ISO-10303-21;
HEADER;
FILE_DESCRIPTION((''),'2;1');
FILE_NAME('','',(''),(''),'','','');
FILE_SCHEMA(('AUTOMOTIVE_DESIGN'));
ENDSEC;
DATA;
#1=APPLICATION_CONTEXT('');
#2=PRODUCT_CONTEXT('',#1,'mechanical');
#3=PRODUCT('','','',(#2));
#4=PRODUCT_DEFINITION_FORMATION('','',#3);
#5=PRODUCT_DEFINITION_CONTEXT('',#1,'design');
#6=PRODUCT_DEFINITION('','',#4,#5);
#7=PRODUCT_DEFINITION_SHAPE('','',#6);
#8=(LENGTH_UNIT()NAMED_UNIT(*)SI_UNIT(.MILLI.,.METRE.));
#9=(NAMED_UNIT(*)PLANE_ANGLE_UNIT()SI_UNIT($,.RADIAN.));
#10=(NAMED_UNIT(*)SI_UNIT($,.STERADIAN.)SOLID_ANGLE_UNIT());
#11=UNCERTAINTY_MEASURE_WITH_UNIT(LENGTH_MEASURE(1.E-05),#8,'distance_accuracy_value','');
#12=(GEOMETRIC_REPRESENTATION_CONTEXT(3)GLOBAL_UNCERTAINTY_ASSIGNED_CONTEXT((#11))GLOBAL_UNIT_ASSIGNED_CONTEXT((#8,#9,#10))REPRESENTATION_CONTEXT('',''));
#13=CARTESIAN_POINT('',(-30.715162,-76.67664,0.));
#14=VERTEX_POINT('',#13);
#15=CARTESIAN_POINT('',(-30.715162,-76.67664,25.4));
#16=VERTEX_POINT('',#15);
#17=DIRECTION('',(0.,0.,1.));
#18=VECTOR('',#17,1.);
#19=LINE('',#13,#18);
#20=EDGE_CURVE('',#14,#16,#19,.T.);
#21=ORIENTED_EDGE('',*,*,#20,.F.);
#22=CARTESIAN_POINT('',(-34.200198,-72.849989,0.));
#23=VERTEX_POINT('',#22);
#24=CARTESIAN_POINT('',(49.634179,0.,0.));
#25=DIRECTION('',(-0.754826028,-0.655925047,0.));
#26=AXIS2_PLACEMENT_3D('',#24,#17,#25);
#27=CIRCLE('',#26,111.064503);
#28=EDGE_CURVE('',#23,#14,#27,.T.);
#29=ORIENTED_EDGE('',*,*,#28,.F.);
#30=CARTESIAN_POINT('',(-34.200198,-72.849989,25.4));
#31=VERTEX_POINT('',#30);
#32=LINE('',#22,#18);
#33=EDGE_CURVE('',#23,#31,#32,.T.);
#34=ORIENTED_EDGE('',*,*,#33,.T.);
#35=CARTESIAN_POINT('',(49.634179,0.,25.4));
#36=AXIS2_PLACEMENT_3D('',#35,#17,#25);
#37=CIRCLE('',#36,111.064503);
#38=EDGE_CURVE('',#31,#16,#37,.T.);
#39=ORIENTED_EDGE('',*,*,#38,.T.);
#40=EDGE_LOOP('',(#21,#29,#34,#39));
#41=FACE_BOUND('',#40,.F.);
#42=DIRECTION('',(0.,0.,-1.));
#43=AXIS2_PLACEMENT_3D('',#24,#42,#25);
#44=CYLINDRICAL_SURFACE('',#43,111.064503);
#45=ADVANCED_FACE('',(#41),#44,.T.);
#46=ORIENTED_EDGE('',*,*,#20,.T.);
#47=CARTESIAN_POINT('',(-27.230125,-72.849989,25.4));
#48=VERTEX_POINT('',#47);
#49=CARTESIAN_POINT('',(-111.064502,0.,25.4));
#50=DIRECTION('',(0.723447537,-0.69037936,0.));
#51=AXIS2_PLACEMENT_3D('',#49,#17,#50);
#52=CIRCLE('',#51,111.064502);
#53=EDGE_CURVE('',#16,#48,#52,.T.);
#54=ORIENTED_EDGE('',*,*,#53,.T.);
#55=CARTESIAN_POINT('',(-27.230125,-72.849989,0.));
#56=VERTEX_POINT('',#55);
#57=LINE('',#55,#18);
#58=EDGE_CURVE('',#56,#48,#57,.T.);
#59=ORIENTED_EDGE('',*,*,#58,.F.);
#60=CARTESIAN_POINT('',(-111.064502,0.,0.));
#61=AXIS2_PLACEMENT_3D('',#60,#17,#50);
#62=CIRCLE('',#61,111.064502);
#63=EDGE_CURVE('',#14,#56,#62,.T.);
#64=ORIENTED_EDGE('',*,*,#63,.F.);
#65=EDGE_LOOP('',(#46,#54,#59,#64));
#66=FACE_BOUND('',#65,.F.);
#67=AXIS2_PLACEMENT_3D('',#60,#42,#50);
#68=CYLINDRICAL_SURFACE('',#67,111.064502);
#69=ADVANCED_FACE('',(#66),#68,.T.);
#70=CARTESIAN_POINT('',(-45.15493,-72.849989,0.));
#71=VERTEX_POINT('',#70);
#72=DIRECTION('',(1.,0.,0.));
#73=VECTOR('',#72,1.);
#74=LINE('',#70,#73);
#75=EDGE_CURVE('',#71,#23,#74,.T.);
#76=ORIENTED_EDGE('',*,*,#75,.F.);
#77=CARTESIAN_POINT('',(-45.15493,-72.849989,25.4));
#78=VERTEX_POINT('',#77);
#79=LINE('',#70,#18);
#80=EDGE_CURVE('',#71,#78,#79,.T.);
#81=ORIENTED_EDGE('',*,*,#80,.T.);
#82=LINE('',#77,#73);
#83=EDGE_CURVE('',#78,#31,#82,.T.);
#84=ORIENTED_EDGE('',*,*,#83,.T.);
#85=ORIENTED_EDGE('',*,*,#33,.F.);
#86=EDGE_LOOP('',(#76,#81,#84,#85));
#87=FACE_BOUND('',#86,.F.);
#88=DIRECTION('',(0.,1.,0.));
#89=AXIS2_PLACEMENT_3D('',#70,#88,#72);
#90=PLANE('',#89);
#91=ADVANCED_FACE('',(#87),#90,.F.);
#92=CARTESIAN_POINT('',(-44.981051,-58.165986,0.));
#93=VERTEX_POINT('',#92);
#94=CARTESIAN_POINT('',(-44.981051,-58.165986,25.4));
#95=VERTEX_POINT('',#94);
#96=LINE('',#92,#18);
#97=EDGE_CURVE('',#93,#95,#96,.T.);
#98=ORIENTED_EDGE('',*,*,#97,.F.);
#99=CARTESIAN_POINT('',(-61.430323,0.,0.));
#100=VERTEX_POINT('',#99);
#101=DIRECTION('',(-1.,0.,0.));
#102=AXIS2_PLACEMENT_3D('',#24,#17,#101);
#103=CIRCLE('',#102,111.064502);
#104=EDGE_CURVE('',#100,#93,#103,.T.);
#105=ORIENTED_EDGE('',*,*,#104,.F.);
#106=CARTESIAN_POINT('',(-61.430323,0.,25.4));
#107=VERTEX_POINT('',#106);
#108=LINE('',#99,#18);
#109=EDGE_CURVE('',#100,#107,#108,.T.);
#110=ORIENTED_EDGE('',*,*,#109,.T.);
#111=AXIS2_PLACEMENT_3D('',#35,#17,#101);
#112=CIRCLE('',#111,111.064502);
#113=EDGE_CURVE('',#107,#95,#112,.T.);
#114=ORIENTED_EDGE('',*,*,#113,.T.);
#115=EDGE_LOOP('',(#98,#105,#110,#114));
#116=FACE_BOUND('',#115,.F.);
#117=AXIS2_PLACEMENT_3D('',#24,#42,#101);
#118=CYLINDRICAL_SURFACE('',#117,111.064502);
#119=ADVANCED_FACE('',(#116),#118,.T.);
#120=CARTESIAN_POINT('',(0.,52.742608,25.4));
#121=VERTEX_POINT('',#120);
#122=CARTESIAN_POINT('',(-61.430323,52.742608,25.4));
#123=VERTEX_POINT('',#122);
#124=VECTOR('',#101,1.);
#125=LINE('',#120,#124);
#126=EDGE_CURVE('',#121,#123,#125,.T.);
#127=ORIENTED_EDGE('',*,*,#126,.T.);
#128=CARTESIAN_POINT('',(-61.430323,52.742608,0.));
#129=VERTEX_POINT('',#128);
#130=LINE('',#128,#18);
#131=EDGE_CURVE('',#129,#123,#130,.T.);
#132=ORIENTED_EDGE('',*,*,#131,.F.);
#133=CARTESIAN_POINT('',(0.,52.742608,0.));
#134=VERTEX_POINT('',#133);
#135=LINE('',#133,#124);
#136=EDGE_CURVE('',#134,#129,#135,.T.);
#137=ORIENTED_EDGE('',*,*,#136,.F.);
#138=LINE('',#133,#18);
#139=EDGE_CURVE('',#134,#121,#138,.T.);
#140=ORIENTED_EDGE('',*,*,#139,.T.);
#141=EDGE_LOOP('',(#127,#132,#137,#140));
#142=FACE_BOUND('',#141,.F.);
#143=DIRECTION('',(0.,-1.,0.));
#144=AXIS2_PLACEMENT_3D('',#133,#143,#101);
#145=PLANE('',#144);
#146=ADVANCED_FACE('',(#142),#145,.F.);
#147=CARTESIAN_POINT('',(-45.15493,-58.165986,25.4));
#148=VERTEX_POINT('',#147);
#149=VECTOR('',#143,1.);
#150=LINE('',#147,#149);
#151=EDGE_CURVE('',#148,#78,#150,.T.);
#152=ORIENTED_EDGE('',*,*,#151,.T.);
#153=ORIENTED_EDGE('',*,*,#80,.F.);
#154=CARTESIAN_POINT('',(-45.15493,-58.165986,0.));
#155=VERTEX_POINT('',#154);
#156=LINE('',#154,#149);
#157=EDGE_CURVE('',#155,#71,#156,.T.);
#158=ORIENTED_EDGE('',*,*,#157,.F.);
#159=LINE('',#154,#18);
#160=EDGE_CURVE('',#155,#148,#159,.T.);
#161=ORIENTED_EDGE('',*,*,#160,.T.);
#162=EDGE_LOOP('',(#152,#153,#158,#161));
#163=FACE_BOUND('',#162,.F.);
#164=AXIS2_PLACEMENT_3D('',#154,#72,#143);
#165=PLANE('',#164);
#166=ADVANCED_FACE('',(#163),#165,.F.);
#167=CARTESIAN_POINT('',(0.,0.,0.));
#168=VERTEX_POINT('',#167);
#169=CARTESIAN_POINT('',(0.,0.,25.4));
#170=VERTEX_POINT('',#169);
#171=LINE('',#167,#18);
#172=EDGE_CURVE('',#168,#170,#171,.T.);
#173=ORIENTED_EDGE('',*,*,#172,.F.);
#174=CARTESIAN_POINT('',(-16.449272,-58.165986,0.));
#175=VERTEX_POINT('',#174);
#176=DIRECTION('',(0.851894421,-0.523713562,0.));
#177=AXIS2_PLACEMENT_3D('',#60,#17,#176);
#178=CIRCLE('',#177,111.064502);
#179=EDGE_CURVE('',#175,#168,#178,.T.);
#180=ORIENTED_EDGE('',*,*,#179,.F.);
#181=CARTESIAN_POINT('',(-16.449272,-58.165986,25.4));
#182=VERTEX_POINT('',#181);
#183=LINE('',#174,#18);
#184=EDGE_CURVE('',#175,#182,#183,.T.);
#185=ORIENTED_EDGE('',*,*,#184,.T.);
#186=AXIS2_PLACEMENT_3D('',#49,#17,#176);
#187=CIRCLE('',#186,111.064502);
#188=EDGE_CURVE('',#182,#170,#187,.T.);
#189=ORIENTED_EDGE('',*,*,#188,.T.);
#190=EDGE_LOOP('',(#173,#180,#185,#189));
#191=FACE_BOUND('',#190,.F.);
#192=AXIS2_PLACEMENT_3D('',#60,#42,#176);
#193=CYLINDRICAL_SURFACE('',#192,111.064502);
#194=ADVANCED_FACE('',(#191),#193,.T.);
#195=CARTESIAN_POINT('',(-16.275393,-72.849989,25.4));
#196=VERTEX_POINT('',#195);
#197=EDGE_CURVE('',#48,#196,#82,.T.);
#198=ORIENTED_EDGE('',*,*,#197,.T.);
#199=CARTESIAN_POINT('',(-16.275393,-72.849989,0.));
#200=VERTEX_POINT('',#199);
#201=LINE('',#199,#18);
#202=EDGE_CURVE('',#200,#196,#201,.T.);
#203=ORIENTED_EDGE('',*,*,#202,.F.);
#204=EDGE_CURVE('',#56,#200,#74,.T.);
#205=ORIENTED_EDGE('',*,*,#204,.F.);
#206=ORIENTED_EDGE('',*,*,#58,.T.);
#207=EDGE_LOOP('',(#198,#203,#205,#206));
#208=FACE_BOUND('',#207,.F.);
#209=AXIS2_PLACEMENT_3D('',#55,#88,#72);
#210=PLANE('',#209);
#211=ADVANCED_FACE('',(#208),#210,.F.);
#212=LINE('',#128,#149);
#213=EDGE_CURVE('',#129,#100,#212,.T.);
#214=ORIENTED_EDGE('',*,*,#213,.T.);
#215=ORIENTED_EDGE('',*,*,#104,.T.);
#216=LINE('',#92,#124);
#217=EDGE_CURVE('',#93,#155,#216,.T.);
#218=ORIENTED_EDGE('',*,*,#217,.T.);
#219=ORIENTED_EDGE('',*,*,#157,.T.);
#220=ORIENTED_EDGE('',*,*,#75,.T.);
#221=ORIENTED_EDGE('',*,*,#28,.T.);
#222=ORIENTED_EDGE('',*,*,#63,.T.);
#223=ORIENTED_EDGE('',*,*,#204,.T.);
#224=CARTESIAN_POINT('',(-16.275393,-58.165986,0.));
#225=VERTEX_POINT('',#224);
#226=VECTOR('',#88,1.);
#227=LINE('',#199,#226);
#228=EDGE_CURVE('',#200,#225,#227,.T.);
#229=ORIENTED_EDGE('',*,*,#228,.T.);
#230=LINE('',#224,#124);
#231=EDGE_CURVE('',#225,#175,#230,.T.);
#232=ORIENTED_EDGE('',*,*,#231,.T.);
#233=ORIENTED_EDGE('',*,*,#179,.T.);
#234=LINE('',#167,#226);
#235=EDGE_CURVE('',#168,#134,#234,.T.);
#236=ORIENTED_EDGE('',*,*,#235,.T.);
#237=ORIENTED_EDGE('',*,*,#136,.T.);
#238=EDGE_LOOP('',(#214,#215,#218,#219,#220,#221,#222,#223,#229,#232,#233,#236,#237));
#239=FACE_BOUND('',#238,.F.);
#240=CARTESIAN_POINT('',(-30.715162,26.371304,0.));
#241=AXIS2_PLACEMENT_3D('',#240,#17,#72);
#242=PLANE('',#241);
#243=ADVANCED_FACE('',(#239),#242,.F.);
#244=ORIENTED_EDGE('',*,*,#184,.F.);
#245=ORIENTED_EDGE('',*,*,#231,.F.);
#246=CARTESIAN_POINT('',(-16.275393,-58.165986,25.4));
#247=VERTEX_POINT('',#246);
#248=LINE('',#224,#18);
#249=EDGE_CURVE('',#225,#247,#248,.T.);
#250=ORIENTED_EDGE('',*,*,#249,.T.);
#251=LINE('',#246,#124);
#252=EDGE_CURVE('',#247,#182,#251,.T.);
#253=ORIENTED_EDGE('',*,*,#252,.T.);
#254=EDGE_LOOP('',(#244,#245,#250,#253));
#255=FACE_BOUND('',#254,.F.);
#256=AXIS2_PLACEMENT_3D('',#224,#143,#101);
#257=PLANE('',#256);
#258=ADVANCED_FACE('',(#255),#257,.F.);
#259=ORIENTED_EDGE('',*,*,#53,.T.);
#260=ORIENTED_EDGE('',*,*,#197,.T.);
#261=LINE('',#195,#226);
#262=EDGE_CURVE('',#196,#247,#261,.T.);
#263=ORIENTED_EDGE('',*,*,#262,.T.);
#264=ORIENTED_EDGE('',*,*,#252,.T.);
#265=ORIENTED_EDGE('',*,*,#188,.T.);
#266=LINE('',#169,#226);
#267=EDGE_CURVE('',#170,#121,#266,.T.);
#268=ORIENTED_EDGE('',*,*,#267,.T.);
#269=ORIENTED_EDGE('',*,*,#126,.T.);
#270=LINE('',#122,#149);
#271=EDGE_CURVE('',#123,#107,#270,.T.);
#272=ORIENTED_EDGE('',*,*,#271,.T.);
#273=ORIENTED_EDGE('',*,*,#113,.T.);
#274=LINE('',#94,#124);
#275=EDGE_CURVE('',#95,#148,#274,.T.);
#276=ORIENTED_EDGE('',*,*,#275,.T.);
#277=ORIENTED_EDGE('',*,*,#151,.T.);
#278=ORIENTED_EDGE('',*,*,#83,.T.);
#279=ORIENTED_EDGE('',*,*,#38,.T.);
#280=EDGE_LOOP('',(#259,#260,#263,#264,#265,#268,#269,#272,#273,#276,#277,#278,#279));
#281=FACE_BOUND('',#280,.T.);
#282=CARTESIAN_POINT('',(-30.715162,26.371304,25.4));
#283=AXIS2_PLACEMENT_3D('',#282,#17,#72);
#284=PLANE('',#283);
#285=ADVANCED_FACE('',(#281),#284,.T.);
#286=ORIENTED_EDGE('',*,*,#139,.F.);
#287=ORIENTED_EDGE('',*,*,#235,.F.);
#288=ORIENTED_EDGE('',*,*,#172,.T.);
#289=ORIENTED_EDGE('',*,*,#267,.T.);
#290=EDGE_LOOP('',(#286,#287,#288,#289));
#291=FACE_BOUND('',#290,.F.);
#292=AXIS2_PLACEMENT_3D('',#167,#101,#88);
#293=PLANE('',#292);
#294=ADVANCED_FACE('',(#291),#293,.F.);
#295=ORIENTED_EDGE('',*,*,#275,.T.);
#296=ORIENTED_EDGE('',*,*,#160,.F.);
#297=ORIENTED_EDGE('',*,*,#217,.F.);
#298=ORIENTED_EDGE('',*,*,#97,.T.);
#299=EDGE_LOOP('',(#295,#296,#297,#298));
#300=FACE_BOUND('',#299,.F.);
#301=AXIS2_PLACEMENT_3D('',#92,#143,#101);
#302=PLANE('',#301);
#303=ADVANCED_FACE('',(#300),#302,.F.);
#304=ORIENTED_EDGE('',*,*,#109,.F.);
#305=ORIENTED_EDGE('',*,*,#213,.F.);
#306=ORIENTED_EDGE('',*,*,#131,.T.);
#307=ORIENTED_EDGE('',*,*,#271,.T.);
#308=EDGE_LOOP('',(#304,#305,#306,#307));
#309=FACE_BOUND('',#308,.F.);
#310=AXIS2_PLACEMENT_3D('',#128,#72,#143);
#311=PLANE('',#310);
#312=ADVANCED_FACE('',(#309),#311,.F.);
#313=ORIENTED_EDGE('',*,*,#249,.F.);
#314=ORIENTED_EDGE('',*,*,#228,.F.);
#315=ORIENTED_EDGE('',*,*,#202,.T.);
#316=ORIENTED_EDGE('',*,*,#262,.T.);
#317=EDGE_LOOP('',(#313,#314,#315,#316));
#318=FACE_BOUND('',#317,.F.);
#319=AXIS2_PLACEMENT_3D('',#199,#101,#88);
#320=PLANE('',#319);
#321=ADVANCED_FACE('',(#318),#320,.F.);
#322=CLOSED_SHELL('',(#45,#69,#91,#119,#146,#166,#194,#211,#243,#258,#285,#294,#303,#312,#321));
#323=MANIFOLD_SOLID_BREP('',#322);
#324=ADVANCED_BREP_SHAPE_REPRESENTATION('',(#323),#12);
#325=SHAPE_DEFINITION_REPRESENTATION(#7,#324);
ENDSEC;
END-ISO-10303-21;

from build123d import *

# Parameters (mm, degrees)
F1_DEPTH = 25.4


with BuildPart() as f1:
    # F0 (on Top) → F1 (new body)
    with BuildSketch(Plane.XY):
        Polygon((0, 46.3683046401), (0, 52.7426078916), (-61.4303232808, 52.7426078916), (-61.4303232808, 46.3683046401), (-61.4303232808, 0), (-30.7151616404, 0), (0, 0), align=None)
        with BuildLine():
            ThreePointArc((-16.4492723734, -58.1659860909), (-4.1914067779, -30.223585573), (0, 0))
            Line((0, 0), (-30.7151616404, 0))
            Line((-30.7151616404, 0), (-30.7151616404, -58.1659860909))
            Line((-30.7151616404, -58.1659860909), (-16.4492723734, -58.1659860909))
        make_face()
        with BuildLine():
            Line((-30.7151616404, 0), (-61.4303232808, 0))
            ThreePointArc((-61.4303232808, 0), (-57.2389165029, -30.223585573), (-44.9810509074, -58.1659860909))
            Line((-44.9810509074, -58.1659860909), (-30.7151616404, -58.1659860909))
            Line((-30.7151616404, -58.1659860909), (-30.7151616404, 0))
        make_face()
        with BuildLine():
            Line((-16.2753928453, -58.1659860909), (-16.4492723734, -58.1659860909))
            ThreePointArc((-16.4492723734, -58.1659860909), (-21.5381344121, -65.729393159), (-27.2301251964, -72.8499889374))
            Line((-27.2301251964, -72.8499889374), (-16.2753928453, -72.8499889374))
            Line((-16.2753928453, -72.8499889374), (-16.2753928453, -58.1659860909))
        make_face()
        with BuildLine():
            ThreePointArc((-27.2301251964, -72.8499889374), (-21.5381344121, -65.729393159), (-16.4492723734, -58.1659860909))
            Line((-16.4492723734, -58.1659860909), (-30.7151616404, -58.1659860909))
            Line((-30.7151616404, -58.1659860909), (-30.7151616404, -72.8499889374))
            Line((-30.7151616404, -72.8499889374), (-27.2301251964, -72.8499889374))
        make_face()
        with BuildLine():
            Line((-30.7151616404, -58.1659860909), (-44.9810509074, -58.1659860909))
            ThreePointArc((-44.9810509074, -58.1659860909), (-39.8921888687, -65.729393159), (-34.2001980845, -72.8499889374))
            Line((-34.2001980845, -72.8499889374), (-30.7151616404, -72.8499889374))
            Line((-30.7151616404, -72.8499889374), (-30.7151616404, -58.1659860909))
        make_face()
        with BuildLine():
            ThreePointArc((-34.2001980845, -72.8499889374), (-39.8921888687, -65.729393159), (-44.9810509074, -58.1659860909))
            Line((-44.9810509074, -58.1659860909), (-45.1549304356, -58.1659860909))
            Line((-45.1549304356, -58.1659860909), (-45.1549304356, -72.8499889374))
            Line((-45.1549304356, -72.8499889374), (-34.2001980845, -72.8499889374))
        make_face()
        with BuildLine():
            ThreePointArc((-30.7151616404, -76.676640043), (-28.9503493828, -74.7836182817), (-27.2301251964, -72.8499889374))
            Line((-27.2301251964, -72.8499889374), (-30.7151616404, -72.8499889374))
            Line((-30.7151616404, -72.8499889374), (-30.7151616404, -76.676640043))
        make_face()
        with BuildLine():
            Line((-30.7151616404, -72.8499889374), (-34.2001980845, -72.8499889374))
            ThreePointArc((-34.2001980845, -72.8499889374), (-32.479973898, -74.7836182817), (-30.7151616404, -76.676640043))
            Line((-30.7151616404, -76.676640043), (-30.7151616404, -72.8499889374))
        make_face()
    extrude(amount=F1_DEPTH)


solid = f1.part
